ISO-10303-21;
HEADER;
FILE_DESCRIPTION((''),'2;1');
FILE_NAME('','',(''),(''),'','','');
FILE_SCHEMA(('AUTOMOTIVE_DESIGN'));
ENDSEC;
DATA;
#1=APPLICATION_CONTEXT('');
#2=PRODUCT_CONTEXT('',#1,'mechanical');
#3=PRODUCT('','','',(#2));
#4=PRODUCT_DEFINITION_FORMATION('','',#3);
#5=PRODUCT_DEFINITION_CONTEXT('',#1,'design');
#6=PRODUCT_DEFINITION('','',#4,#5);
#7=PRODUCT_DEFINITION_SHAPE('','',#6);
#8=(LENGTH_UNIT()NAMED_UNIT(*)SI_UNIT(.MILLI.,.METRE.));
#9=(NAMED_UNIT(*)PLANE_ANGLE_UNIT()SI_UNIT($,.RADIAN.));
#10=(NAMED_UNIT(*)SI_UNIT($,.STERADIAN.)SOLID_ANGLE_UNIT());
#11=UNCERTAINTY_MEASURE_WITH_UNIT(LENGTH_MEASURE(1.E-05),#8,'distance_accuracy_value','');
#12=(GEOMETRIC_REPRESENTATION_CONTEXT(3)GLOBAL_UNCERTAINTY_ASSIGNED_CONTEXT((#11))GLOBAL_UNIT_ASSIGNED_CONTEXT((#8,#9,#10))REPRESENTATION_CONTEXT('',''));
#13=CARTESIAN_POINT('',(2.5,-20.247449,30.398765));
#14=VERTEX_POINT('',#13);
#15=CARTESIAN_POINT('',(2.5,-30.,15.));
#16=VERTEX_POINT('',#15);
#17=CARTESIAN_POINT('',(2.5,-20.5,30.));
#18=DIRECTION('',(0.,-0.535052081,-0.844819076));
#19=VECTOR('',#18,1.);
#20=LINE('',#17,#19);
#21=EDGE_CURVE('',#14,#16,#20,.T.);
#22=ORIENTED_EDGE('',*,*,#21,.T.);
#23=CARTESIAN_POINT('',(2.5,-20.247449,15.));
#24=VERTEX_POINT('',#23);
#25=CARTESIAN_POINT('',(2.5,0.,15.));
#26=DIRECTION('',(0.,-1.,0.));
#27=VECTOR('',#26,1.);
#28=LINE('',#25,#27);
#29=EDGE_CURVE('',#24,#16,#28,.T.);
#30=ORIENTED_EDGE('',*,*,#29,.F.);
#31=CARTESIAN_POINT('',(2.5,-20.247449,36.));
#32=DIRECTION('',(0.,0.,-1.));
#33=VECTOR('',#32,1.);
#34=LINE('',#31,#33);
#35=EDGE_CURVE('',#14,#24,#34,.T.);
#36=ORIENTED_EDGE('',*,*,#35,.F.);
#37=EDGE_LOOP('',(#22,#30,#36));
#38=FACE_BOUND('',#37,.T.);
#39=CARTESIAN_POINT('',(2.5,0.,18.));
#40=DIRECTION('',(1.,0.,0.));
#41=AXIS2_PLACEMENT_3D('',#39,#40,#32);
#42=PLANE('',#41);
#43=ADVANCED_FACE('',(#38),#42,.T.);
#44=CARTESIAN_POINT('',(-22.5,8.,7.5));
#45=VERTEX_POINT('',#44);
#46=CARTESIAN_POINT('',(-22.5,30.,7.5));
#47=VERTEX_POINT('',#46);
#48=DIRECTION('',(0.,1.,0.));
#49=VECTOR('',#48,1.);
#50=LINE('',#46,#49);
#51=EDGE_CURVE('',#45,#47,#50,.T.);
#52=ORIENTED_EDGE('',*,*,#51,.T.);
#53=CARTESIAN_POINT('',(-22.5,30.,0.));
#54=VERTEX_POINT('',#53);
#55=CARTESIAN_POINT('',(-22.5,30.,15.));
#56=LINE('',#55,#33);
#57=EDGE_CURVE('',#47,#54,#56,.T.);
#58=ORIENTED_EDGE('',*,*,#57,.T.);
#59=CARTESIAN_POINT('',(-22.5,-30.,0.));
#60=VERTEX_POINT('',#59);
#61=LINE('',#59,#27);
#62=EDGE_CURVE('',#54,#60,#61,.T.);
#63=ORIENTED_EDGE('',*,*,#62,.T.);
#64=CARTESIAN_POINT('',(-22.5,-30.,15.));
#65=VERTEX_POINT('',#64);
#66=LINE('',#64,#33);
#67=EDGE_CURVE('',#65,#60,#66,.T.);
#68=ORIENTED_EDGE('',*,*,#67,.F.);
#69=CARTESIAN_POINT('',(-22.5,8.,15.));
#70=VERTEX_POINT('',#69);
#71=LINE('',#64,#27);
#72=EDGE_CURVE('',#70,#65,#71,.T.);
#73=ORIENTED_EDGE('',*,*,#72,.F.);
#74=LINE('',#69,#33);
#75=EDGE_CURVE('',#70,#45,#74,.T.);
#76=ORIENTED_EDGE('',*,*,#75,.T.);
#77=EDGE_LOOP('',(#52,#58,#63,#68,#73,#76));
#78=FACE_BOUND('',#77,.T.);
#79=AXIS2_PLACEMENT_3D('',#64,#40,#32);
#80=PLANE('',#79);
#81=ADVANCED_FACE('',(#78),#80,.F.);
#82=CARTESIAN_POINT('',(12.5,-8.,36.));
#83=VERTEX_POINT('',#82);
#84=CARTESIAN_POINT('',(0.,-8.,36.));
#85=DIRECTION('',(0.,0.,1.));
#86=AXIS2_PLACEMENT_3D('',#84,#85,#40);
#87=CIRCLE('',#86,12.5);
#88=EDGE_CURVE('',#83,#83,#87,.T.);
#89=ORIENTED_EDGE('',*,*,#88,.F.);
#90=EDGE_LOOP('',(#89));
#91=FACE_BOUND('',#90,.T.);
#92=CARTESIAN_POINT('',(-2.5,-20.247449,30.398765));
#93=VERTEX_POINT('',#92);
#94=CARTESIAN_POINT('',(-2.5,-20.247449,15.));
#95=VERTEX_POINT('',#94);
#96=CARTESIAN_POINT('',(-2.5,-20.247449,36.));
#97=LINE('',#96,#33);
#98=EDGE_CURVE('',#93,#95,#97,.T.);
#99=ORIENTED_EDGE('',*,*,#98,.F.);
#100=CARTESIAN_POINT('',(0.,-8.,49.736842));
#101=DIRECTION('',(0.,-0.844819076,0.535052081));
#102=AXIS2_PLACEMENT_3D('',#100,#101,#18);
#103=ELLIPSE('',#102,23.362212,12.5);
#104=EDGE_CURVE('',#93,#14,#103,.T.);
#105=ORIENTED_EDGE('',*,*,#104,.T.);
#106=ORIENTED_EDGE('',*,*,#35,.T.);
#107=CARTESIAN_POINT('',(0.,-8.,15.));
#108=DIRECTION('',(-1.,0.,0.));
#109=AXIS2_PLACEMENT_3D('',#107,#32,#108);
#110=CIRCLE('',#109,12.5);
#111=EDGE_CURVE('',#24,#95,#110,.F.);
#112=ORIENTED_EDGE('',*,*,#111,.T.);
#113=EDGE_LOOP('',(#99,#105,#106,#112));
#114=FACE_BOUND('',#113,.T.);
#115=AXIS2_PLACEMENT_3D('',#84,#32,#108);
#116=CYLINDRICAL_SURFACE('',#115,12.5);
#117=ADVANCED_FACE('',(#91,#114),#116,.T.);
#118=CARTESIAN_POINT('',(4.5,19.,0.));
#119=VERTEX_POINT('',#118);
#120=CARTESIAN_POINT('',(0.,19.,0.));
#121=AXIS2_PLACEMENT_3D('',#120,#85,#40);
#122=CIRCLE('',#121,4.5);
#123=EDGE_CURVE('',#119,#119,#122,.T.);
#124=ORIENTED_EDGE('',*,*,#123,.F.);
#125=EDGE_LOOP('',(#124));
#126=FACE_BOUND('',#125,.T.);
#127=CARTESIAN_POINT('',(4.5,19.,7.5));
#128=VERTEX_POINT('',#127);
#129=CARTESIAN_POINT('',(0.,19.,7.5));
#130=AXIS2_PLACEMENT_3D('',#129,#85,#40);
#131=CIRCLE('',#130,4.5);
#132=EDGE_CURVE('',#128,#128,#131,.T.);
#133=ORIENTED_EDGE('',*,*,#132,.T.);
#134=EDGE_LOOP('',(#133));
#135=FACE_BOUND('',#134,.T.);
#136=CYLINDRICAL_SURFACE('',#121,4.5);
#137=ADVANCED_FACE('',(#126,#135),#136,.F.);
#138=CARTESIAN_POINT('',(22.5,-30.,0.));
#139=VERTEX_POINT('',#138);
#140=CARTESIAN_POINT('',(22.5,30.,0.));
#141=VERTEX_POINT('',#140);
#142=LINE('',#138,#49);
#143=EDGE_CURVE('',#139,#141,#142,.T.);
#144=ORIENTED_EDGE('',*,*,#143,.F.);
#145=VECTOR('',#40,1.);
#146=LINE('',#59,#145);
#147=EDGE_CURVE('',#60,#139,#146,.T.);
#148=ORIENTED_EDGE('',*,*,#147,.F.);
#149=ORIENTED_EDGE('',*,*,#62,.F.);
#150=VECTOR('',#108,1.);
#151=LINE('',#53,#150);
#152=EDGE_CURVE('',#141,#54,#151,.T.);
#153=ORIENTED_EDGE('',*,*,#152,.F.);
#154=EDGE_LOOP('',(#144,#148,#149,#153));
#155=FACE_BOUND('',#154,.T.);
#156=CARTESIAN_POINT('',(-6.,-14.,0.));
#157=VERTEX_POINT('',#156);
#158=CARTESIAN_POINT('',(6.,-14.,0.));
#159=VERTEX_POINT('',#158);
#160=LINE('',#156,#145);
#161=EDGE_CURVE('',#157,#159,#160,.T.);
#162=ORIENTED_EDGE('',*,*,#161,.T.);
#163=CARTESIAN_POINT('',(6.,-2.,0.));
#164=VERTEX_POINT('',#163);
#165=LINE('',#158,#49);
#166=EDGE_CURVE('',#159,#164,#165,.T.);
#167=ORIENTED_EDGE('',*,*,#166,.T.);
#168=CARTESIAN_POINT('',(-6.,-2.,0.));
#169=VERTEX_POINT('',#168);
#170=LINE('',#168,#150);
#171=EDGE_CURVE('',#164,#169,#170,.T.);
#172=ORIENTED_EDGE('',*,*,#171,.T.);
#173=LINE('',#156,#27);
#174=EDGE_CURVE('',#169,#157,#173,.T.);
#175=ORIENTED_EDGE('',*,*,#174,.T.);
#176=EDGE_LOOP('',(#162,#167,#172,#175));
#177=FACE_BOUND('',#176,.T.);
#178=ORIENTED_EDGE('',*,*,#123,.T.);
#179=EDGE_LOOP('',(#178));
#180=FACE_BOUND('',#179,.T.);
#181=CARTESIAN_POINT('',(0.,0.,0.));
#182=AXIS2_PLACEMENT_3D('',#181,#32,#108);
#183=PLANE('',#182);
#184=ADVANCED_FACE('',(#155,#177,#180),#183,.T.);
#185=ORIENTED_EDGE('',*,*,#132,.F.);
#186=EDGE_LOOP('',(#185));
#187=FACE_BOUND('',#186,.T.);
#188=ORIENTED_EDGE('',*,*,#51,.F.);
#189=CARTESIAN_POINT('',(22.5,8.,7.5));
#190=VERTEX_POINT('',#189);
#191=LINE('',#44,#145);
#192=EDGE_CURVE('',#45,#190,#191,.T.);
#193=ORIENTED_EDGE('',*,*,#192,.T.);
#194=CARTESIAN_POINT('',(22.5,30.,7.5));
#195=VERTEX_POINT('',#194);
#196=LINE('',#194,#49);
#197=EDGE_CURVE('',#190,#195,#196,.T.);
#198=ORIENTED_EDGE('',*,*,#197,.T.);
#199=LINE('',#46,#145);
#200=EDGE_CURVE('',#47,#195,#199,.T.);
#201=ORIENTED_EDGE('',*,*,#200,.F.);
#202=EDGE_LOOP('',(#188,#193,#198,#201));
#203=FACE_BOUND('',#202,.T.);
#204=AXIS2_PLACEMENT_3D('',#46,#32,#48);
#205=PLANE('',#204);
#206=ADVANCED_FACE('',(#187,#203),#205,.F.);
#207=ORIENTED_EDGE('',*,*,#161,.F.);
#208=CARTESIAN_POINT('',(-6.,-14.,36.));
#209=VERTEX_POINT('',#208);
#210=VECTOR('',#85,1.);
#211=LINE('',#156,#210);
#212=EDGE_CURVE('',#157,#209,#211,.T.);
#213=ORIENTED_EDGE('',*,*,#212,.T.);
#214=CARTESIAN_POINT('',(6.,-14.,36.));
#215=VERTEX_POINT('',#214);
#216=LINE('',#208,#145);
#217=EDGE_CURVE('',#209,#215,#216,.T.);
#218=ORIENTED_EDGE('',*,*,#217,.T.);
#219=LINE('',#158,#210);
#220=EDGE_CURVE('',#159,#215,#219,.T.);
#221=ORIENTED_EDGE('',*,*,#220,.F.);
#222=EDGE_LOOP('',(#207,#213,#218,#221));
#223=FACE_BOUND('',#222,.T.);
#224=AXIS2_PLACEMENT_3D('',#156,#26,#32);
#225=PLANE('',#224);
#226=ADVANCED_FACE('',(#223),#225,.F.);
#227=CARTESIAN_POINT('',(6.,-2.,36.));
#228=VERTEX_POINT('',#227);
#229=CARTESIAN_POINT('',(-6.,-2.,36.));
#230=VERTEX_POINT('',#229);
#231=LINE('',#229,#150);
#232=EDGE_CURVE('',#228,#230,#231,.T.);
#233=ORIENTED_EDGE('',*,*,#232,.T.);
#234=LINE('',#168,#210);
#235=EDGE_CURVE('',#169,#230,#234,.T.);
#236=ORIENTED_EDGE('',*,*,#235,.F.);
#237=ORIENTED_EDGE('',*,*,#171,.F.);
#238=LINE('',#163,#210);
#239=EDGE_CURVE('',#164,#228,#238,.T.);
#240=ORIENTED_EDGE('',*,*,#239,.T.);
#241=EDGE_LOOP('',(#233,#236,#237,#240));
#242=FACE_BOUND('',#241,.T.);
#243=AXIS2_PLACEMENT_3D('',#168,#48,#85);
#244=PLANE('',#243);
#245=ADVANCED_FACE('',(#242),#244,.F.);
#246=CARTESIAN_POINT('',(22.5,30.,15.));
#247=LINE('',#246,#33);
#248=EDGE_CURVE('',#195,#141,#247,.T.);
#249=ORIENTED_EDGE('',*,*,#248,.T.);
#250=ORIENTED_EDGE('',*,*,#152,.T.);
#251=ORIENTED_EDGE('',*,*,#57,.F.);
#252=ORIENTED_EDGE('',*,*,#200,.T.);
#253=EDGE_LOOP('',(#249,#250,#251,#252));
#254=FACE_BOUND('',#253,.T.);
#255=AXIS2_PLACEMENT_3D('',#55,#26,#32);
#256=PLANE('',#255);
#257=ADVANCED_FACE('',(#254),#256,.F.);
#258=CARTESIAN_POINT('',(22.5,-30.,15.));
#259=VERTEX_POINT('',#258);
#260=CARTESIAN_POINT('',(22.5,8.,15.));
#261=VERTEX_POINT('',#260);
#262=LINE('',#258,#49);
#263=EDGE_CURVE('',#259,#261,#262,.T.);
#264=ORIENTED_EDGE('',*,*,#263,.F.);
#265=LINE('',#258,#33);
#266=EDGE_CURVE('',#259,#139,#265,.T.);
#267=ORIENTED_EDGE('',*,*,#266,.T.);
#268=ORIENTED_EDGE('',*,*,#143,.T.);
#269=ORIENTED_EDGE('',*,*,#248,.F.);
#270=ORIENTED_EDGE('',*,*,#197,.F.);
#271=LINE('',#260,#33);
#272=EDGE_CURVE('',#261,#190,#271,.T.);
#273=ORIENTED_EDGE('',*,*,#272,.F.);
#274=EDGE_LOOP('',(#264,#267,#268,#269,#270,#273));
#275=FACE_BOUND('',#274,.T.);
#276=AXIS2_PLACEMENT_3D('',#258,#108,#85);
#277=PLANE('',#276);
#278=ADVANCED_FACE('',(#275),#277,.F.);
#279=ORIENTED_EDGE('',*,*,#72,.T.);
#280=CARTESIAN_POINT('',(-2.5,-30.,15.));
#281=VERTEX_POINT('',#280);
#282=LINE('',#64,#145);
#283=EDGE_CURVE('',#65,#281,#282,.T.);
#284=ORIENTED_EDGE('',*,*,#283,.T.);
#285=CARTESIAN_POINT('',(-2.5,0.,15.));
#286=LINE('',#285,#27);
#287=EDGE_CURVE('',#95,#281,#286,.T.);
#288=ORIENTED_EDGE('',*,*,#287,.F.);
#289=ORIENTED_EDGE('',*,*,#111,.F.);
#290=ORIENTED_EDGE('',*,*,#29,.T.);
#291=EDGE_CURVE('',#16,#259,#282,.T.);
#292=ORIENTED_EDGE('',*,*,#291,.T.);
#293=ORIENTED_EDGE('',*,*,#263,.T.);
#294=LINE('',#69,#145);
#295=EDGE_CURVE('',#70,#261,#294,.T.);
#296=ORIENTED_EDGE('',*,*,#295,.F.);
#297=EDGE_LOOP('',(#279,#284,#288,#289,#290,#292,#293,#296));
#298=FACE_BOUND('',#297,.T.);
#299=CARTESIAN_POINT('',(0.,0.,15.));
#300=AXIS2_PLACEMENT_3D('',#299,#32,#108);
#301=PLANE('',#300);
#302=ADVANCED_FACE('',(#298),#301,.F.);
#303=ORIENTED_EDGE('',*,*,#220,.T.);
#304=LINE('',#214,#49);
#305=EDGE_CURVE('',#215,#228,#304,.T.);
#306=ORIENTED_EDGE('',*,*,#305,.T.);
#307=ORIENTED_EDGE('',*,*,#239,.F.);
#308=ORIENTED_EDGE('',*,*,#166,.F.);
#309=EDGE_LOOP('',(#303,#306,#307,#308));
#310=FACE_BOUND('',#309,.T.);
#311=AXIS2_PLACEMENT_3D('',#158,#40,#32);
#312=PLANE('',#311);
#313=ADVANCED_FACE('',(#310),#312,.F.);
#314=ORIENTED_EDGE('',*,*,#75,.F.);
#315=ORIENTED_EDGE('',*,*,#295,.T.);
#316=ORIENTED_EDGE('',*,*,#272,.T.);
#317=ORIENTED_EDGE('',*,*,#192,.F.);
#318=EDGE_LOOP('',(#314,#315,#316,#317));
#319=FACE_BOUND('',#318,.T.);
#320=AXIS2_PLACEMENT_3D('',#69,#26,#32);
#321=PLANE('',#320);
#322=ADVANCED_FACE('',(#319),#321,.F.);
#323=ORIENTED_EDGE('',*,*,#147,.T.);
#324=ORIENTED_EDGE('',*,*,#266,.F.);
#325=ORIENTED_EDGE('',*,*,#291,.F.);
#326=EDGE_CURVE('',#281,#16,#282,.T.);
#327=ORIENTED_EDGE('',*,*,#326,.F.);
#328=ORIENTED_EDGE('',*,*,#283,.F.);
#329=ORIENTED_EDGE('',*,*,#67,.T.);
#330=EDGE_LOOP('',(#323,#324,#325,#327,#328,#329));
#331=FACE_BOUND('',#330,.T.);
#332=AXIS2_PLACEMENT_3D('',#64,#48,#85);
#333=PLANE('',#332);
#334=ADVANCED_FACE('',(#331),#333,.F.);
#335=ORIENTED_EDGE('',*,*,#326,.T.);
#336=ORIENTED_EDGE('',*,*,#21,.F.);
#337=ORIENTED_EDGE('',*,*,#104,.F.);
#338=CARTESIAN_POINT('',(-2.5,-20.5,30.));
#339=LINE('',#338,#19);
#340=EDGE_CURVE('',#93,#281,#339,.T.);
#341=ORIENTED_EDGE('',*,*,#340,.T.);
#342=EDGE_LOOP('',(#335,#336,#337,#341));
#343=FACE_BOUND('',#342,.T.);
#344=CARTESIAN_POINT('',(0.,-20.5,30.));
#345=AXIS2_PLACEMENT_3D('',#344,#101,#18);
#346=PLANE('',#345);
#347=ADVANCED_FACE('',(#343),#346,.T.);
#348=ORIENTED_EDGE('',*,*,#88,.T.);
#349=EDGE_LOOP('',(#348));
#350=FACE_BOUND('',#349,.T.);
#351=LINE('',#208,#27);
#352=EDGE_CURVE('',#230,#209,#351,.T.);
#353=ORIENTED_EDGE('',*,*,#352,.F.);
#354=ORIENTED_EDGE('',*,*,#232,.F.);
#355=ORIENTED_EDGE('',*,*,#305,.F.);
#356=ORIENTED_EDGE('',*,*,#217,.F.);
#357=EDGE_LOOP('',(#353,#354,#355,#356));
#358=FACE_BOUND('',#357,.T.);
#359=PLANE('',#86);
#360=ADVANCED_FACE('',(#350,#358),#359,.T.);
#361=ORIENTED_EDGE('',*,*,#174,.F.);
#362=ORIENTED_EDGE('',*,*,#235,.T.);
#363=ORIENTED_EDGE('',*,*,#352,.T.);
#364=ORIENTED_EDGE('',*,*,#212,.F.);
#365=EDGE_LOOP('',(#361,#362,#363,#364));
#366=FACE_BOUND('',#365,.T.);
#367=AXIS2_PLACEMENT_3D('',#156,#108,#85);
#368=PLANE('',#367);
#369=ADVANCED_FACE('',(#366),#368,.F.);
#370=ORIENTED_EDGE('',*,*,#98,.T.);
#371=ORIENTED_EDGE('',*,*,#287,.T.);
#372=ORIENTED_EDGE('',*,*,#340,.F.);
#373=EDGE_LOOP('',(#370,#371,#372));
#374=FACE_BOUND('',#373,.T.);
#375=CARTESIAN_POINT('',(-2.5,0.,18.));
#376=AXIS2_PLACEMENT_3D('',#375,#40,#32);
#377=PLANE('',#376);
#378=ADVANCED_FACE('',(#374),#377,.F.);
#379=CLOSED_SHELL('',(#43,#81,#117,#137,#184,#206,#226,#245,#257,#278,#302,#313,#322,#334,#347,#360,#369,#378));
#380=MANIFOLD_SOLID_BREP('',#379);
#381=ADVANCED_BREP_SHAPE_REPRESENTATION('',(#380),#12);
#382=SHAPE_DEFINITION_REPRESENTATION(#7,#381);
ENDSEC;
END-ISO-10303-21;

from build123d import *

# Parameters (mm, degrees)
SKETCH_1_W          = 45
SKETCH_1_H          = 60
EXTRUDE_1_DEPTH     = 15
SKETCH_2_W          = 7.5
SKETCH_2_H          = 22
CUT_EXTRUDE_1_DEPTH = 57.124860802
SKETCH_3_R          = 12.5
EXTRUDE_2_DEPTH     = 21
SKETCH_6_R          = 4.5
CUT_EXTRUDE_4_DEPTH = 48.100955404
RIB_1_REACH         = 53.983
SKETCH_7_WALL_W     = 123.721621612
SKETCH_7_WALL_H     = 5
SKETCH_8_W          = 12
SKETCH_8_H          = 12
CUT_EXTRUDE_5_DEPTH = 52.983170353


with BuildPart() as part:
    # Эскиз1 → Бобышка-Вытянуть1 (new body)
    with BuildSketch(Plane.XY):
        Rectangle(SKETCH_1_W, SKETCH_1_H)
    extrude(amount=EXTRUDE_1_DEPTH)

    # Эскиз2 → Вырез-Вытянуть1 (cut, through all)
    with BuildSketch(Plane(origin=(22.5, 0, 0), x_dir=(0, 0, -1), z_dir=(1, 0, 0))):
        with Locations((-11.25, 19)):
            Rectangle(SKETCH_2_W, SKETCH_2_H)
    extrude(amount=-CUT_EXTRUDE_1_DEPTH, mode=Mode.SUBTRACT)

    # Эскиз3 → Бобышка-Вытянуть2 (add)
    with BuildSketch(Plane.XY.offset(15)):
        with Locations(Location((0, -8, 0), (0, 0, 180))):
            Circle(SKETCH_3_R)
    extrude(amount=EXTRUDE_2_DEPTH)

    # Эскиз6 → Вырез-Вытянуть4 (cut, through all)
    with BuildSketch(Plane.XY.offset(7.5)):
        with Locations((0, 19)):
            Circle(SKETCH_6_R)
    extrude(amount=-CUT_EXTRUDE_4_DEPTH, mode=Mode.SUBTRACT)

    # Эскиз7 wall → Ребро1 (add, up to next)
    with BuildSketch(Plane(origin=(0, -25.25, 22.5), x_dir=(0, -0.535052081184, -0.844819075554), z_dir=(0, 0.844819075554, -0.535052081184)), mode=Mode.PRIVATE) as rib_1_sk1:
        Rectangle(SKETCH_7_WALL_W, SKETCH_7_WALL_H)
    rib_1_tool1 = extrude(rib_1_sk1.sketch, amount=RIB_1_REACH, mode=Mode.PRIVATE) - part.part
    add(rib_1_tool1.solids().sort_by_distance((0, -25.25, 22.5))[0])

    # Эскиз8 → Вырез-Вытянуть5 (cut, through all)
    with BuildSketch(Plane.XY.offset(36)):
        with Locations((0, -8)):
            Rectangle(SKETCH_8_W, SKETCH_8_H)
    extrude(amount=-CUT_EXTRUDE_5_DEPTH, mode=Mode.SUBTRACT)


solid = part.part
